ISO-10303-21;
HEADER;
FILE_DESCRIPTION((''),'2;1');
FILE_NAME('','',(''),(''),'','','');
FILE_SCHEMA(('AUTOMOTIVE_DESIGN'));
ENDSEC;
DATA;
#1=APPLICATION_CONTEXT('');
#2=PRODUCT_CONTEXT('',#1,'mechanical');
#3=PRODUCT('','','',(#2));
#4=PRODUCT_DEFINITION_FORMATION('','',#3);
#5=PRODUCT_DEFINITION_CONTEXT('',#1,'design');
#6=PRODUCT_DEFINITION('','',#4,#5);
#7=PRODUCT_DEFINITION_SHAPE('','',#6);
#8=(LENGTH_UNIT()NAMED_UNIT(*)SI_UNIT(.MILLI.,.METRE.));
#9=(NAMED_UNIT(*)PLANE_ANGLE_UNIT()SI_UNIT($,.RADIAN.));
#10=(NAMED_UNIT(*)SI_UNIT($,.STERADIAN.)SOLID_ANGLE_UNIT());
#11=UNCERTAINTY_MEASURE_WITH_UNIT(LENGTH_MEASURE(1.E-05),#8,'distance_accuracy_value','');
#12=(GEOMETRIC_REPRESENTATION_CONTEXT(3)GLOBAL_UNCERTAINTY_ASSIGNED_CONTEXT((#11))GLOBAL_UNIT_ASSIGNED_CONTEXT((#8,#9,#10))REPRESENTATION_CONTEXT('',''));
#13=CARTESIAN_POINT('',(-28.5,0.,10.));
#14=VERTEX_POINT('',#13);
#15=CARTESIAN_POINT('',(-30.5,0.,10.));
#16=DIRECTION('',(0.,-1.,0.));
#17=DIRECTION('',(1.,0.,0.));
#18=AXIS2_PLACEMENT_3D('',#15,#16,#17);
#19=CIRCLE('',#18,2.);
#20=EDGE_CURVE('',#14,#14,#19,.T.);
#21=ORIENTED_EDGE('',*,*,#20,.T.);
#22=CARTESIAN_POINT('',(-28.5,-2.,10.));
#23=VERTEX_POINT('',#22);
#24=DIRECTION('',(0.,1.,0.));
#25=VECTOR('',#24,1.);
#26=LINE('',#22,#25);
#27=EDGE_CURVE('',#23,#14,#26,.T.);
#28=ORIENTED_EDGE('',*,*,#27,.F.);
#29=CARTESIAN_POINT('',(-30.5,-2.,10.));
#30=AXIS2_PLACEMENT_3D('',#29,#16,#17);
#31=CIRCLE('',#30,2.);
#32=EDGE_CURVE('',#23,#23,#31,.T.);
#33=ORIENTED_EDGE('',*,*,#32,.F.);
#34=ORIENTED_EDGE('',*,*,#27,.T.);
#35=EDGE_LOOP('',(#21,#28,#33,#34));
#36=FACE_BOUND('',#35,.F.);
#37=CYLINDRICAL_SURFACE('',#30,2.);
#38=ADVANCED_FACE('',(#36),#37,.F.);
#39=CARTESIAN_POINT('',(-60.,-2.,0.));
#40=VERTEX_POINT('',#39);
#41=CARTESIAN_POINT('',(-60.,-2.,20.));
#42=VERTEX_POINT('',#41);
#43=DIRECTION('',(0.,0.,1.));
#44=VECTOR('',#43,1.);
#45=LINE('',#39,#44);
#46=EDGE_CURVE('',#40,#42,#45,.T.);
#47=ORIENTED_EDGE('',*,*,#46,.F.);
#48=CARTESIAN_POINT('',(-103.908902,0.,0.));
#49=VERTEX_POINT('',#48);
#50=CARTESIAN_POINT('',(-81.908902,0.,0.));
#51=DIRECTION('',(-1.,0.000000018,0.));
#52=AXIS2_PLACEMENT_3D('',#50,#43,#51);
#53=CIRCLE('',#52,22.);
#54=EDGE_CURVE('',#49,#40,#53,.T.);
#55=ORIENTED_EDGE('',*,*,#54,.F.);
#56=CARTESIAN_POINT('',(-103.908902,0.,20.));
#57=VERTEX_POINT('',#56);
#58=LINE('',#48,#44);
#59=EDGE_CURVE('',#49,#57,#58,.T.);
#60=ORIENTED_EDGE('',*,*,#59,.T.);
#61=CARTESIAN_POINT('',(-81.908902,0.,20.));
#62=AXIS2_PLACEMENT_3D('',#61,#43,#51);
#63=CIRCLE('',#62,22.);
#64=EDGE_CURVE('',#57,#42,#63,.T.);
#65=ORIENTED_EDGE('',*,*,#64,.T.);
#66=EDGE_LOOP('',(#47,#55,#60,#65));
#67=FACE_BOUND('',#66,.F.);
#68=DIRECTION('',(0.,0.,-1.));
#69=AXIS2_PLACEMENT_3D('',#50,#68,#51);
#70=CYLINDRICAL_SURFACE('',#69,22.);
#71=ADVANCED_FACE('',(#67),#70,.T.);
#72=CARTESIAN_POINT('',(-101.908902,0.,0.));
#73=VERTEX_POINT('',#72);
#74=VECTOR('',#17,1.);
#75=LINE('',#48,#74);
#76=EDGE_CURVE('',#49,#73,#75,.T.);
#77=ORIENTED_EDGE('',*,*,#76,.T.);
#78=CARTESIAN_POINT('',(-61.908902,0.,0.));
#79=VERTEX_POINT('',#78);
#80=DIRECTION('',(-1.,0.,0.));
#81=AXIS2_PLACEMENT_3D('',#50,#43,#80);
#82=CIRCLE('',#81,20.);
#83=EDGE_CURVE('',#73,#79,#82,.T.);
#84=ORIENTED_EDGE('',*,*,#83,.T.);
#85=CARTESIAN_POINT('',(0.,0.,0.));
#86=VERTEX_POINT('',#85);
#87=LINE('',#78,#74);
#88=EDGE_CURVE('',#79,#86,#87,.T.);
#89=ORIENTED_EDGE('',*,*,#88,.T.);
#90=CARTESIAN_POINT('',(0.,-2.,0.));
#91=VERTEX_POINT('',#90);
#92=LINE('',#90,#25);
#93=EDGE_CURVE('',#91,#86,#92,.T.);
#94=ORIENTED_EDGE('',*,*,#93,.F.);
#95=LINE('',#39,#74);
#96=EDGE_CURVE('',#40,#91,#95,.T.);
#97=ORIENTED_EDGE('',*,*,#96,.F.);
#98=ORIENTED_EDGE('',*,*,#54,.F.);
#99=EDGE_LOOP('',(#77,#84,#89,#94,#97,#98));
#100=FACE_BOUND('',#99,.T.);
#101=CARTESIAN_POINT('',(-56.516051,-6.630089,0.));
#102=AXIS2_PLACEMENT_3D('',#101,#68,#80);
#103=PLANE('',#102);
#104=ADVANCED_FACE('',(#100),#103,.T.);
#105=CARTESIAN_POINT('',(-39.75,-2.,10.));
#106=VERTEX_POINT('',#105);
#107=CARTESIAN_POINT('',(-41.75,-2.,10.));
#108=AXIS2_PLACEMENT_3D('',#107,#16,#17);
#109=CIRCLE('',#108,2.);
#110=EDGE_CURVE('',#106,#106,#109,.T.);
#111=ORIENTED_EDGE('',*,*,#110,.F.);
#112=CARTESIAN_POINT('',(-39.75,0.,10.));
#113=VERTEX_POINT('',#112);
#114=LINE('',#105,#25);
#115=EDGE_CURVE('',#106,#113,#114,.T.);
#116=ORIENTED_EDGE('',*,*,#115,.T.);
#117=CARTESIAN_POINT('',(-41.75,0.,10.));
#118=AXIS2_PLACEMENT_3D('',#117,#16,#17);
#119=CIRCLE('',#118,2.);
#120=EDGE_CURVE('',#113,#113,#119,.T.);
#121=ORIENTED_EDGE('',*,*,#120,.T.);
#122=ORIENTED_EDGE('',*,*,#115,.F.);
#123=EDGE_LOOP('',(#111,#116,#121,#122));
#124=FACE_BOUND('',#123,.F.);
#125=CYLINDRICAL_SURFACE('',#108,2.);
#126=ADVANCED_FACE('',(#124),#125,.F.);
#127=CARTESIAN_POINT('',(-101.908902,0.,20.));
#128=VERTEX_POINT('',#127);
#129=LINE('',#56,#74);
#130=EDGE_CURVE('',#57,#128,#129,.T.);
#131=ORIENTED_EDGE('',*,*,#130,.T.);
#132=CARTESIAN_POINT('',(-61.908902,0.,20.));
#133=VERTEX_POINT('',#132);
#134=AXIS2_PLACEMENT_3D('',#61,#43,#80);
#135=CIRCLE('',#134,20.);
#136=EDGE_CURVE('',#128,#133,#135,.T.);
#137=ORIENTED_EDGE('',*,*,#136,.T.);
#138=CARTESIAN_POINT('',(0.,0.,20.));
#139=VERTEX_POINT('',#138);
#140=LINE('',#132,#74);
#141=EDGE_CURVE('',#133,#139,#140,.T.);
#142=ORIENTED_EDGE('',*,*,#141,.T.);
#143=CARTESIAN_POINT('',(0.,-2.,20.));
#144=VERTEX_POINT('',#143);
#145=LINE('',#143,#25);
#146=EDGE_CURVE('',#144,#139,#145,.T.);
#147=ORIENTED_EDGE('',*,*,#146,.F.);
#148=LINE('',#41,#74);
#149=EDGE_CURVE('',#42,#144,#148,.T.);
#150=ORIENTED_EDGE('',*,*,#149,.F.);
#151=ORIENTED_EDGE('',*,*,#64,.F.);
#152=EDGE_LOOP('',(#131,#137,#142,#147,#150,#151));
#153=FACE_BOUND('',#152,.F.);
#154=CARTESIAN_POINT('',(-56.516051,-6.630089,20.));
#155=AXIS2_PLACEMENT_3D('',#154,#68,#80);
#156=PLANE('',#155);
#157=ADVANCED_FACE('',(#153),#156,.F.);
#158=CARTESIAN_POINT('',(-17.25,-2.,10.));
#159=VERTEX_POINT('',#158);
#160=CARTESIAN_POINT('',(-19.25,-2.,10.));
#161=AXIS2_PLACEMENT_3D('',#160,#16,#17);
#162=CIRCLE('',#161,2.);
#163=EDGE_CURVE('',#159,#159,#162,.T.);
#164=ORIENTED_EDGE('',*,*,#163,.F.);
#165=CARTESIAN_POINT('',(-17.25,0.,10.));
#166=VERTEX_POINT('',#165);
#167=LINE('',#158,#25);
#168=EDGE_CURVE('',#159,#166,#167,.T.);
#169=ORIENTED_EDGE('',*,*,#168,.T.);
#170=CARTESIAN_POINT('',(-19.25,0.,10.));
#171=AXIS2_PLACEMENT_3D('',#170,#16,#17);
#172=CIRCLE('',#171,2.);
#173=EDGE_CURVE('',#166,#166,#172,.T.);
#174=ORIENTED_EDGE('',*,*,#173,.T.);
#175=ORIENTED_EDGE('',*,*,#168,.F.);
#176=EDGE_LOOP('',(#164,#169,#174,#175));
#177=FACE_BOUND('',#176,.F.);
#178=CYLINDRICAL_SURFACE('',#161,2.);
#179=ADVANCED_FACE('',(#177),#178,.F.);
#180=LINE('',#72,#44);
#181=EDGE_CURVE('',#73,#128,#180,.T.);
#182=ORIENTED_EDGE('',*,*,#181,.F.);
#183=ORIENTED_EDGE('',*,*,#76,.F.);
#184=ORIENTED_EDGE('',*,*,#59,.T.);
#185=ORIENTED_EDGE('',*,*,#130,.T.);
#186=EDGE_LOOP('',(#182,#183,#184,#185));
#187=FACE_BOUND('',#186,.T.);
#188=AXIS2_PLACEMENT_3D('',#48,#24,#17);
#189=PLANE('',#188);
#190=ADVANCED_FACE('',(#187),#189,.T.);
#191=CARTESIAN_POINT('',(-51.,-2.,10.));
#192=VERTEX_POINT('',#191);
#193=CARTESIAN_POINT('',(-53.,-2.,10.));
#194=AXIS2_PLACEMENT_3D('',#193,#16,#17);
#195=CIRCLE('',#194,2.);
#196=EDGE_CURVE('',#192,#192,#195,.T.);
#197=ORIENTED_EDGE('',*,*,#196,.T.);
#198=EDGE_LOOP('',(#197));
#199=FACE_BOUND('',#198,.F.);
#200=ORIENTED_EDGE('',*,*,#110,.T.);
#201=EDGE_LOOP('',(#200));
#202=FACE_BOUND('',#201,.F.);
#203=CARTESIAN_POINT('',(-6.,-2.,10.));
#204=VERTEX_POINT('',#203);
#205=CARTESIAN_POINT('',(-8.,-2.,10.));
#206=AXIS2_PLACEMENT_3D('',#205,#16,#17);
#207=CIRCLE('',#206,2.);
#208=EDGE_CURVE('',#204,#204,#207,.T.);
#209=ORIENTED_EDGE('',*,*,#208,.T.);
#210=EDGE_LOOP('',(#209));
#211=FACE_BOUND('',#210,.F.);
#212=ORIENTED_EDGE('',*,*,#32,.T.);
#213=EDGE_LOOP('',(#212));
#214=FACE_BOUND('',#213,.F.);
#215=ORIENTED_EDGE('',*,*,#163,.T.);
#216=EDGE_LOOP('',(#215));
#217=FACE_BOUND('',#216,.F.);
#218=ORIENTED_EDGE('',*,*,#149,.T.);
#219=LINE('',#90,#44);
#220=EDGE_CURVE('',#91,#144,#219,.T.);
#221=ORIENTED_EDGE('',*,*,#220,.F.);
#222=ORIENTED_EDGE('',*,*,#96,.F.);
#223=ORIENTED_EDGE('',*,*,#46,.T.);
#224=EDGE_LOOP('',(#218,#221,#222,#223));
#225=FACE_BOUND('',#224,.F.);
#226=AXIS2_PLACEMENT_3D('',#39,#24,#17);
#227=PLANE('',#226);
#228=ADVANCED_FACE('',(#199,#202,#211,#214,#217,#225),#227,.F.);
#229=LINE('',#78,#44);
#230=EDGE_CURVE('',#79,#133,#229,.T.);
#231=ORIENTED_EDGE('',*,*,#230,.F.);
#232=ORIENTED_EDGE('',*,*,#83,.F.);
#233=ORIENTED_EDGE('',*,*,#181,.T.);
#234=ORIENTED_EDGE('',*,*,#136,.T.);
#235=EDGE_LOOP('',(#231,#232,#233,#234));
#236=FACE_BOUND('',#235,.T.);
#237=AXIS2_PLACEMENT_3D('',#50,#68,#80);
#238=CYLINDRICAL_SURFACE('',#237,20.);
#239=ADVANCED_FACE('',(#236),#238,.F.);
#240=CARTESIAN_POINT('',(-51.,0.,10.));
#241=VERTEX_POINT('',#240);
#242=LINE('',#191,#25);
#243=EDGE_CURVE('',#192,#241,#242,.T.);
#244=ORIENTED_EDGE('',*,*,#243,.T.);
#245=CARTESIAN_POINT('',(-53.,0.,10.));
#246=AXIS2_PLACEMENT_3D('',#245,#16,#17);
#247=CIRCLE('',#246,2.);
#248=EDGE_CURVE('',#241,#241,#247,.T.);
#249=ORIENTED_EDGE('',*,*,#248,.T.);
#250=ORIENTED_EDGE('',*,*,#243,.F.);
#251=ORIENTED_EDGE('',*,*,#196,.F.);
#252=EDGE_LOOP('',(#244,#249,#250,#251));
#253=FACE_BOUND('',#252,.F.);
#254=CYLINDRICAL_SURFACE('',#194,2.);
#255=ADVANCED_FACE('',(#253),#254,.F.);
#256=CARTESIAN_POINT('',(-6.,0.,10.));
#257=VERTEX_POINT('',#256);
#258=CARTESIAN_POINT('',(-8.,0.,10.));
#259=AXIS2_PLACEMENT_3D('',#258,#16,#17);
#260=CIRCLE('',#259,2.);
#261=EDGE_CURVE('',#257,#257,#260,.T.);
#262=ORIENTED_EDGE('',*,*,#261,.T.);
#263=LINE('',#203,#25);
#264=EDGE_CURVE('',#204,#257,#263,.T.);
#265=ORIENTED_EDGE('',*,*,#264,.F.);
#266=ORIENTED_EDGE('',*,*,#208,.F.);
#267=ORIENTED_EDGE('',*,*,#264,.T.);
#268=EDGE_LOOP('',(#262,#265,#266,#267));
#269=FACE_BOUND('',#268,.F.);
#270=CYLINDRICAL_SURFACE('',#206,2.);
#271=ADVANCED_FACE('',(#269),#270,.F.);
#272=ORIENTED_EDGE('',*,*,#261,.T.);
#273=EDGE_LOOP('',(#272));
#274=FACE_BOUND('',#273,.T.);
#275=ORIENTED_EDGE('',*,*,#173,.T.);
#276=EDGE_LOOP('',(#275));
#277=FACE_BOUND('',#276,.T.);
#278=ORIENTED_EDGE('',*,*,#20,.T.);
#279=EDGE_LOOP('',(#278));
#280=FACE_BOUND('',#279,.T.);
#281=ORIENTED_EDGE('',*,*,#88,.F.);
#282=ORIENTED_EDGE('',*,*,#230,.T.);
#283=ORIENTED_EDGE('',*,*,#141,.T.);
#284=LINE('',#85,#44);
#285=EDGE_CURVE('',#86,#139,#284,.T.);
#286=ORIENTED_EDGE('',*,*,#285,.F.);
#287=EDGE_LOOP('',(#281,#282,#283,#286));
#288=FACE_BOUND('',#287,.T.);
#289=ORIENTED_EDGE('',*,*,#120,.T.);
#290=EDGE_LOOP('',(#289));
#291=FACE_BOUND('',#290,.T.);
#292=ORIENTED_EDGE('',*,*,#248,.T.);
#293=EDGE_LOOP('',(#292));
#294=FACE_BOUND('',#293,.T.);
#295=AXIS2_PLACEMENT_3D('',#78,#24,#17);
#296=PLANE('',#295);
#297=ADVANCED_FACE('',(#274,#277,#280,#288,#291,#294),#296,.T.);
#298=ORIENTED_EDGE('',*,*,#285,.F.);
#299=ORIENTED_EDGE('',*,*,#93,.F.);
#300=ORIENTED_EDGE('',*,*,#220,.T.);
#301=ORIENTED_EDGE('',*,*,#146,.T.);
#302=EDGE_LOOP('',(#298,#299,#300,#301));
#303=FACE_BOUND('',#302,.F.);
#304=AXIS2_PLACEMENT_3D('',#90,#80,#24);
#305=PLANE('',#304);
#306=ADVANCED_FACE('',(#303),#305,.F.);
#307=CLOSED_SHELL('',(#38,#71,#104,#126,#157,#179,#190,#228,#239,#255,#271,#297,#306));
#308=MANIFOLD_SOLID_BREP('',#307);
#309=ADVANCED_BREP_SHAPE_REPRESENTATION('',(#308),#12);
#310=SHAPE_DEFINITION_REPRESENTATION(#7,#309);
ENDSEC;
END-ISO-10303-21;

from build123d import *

# Parameters (mm, degrees)
PAD_DEPTH           = 20
SKETCH001_R         = 2
POCKET_DEPTH        = 2.001
LINEARPATTERN_COUNT = 5
LINEARPATTERN_PITCH = 11.25


with BuildPart() as part:
    # Sketch → Pad (new body)
    with BuildSketch(Plane.XY):
        with BuildLine():
            ThreePointArc((-101.908902, 0), (-81.908902, -20), (-61.908902, 0))
            Line((-61.908902, 0), (0, 0))
            Line((0, -2), (0, 0))
            Line((-60, -2), (0, -2))
            ThreePointArc((-103.908902, 0), (-82.909939, -21.977214), (-60, -2))
            Line((-103.908902, 0), (-101.908902, 0))
        make_face()
    extrude(amount=PAD_DEPTH)

    # Sketch001 → Pocket (cut, through all)
    with BuildSketch(Plane.XZ.offset(2)):
        with Locations((-53, 10)):
            Circle(SKETCH001_R)
    pocket = extrude(amount=-POCKET_DEPTH, mode=Mode.SUBTRACT)

    # LinearPattern: Pocket ×5
    with Locations(*[(i * LINEARPATTERN_PITCH, 0, 0) for i in range(1, LINEARPATTERN_COUNT)]):
        add(pocket, mode=Mode.SUBTRACT)


solid = part.part
